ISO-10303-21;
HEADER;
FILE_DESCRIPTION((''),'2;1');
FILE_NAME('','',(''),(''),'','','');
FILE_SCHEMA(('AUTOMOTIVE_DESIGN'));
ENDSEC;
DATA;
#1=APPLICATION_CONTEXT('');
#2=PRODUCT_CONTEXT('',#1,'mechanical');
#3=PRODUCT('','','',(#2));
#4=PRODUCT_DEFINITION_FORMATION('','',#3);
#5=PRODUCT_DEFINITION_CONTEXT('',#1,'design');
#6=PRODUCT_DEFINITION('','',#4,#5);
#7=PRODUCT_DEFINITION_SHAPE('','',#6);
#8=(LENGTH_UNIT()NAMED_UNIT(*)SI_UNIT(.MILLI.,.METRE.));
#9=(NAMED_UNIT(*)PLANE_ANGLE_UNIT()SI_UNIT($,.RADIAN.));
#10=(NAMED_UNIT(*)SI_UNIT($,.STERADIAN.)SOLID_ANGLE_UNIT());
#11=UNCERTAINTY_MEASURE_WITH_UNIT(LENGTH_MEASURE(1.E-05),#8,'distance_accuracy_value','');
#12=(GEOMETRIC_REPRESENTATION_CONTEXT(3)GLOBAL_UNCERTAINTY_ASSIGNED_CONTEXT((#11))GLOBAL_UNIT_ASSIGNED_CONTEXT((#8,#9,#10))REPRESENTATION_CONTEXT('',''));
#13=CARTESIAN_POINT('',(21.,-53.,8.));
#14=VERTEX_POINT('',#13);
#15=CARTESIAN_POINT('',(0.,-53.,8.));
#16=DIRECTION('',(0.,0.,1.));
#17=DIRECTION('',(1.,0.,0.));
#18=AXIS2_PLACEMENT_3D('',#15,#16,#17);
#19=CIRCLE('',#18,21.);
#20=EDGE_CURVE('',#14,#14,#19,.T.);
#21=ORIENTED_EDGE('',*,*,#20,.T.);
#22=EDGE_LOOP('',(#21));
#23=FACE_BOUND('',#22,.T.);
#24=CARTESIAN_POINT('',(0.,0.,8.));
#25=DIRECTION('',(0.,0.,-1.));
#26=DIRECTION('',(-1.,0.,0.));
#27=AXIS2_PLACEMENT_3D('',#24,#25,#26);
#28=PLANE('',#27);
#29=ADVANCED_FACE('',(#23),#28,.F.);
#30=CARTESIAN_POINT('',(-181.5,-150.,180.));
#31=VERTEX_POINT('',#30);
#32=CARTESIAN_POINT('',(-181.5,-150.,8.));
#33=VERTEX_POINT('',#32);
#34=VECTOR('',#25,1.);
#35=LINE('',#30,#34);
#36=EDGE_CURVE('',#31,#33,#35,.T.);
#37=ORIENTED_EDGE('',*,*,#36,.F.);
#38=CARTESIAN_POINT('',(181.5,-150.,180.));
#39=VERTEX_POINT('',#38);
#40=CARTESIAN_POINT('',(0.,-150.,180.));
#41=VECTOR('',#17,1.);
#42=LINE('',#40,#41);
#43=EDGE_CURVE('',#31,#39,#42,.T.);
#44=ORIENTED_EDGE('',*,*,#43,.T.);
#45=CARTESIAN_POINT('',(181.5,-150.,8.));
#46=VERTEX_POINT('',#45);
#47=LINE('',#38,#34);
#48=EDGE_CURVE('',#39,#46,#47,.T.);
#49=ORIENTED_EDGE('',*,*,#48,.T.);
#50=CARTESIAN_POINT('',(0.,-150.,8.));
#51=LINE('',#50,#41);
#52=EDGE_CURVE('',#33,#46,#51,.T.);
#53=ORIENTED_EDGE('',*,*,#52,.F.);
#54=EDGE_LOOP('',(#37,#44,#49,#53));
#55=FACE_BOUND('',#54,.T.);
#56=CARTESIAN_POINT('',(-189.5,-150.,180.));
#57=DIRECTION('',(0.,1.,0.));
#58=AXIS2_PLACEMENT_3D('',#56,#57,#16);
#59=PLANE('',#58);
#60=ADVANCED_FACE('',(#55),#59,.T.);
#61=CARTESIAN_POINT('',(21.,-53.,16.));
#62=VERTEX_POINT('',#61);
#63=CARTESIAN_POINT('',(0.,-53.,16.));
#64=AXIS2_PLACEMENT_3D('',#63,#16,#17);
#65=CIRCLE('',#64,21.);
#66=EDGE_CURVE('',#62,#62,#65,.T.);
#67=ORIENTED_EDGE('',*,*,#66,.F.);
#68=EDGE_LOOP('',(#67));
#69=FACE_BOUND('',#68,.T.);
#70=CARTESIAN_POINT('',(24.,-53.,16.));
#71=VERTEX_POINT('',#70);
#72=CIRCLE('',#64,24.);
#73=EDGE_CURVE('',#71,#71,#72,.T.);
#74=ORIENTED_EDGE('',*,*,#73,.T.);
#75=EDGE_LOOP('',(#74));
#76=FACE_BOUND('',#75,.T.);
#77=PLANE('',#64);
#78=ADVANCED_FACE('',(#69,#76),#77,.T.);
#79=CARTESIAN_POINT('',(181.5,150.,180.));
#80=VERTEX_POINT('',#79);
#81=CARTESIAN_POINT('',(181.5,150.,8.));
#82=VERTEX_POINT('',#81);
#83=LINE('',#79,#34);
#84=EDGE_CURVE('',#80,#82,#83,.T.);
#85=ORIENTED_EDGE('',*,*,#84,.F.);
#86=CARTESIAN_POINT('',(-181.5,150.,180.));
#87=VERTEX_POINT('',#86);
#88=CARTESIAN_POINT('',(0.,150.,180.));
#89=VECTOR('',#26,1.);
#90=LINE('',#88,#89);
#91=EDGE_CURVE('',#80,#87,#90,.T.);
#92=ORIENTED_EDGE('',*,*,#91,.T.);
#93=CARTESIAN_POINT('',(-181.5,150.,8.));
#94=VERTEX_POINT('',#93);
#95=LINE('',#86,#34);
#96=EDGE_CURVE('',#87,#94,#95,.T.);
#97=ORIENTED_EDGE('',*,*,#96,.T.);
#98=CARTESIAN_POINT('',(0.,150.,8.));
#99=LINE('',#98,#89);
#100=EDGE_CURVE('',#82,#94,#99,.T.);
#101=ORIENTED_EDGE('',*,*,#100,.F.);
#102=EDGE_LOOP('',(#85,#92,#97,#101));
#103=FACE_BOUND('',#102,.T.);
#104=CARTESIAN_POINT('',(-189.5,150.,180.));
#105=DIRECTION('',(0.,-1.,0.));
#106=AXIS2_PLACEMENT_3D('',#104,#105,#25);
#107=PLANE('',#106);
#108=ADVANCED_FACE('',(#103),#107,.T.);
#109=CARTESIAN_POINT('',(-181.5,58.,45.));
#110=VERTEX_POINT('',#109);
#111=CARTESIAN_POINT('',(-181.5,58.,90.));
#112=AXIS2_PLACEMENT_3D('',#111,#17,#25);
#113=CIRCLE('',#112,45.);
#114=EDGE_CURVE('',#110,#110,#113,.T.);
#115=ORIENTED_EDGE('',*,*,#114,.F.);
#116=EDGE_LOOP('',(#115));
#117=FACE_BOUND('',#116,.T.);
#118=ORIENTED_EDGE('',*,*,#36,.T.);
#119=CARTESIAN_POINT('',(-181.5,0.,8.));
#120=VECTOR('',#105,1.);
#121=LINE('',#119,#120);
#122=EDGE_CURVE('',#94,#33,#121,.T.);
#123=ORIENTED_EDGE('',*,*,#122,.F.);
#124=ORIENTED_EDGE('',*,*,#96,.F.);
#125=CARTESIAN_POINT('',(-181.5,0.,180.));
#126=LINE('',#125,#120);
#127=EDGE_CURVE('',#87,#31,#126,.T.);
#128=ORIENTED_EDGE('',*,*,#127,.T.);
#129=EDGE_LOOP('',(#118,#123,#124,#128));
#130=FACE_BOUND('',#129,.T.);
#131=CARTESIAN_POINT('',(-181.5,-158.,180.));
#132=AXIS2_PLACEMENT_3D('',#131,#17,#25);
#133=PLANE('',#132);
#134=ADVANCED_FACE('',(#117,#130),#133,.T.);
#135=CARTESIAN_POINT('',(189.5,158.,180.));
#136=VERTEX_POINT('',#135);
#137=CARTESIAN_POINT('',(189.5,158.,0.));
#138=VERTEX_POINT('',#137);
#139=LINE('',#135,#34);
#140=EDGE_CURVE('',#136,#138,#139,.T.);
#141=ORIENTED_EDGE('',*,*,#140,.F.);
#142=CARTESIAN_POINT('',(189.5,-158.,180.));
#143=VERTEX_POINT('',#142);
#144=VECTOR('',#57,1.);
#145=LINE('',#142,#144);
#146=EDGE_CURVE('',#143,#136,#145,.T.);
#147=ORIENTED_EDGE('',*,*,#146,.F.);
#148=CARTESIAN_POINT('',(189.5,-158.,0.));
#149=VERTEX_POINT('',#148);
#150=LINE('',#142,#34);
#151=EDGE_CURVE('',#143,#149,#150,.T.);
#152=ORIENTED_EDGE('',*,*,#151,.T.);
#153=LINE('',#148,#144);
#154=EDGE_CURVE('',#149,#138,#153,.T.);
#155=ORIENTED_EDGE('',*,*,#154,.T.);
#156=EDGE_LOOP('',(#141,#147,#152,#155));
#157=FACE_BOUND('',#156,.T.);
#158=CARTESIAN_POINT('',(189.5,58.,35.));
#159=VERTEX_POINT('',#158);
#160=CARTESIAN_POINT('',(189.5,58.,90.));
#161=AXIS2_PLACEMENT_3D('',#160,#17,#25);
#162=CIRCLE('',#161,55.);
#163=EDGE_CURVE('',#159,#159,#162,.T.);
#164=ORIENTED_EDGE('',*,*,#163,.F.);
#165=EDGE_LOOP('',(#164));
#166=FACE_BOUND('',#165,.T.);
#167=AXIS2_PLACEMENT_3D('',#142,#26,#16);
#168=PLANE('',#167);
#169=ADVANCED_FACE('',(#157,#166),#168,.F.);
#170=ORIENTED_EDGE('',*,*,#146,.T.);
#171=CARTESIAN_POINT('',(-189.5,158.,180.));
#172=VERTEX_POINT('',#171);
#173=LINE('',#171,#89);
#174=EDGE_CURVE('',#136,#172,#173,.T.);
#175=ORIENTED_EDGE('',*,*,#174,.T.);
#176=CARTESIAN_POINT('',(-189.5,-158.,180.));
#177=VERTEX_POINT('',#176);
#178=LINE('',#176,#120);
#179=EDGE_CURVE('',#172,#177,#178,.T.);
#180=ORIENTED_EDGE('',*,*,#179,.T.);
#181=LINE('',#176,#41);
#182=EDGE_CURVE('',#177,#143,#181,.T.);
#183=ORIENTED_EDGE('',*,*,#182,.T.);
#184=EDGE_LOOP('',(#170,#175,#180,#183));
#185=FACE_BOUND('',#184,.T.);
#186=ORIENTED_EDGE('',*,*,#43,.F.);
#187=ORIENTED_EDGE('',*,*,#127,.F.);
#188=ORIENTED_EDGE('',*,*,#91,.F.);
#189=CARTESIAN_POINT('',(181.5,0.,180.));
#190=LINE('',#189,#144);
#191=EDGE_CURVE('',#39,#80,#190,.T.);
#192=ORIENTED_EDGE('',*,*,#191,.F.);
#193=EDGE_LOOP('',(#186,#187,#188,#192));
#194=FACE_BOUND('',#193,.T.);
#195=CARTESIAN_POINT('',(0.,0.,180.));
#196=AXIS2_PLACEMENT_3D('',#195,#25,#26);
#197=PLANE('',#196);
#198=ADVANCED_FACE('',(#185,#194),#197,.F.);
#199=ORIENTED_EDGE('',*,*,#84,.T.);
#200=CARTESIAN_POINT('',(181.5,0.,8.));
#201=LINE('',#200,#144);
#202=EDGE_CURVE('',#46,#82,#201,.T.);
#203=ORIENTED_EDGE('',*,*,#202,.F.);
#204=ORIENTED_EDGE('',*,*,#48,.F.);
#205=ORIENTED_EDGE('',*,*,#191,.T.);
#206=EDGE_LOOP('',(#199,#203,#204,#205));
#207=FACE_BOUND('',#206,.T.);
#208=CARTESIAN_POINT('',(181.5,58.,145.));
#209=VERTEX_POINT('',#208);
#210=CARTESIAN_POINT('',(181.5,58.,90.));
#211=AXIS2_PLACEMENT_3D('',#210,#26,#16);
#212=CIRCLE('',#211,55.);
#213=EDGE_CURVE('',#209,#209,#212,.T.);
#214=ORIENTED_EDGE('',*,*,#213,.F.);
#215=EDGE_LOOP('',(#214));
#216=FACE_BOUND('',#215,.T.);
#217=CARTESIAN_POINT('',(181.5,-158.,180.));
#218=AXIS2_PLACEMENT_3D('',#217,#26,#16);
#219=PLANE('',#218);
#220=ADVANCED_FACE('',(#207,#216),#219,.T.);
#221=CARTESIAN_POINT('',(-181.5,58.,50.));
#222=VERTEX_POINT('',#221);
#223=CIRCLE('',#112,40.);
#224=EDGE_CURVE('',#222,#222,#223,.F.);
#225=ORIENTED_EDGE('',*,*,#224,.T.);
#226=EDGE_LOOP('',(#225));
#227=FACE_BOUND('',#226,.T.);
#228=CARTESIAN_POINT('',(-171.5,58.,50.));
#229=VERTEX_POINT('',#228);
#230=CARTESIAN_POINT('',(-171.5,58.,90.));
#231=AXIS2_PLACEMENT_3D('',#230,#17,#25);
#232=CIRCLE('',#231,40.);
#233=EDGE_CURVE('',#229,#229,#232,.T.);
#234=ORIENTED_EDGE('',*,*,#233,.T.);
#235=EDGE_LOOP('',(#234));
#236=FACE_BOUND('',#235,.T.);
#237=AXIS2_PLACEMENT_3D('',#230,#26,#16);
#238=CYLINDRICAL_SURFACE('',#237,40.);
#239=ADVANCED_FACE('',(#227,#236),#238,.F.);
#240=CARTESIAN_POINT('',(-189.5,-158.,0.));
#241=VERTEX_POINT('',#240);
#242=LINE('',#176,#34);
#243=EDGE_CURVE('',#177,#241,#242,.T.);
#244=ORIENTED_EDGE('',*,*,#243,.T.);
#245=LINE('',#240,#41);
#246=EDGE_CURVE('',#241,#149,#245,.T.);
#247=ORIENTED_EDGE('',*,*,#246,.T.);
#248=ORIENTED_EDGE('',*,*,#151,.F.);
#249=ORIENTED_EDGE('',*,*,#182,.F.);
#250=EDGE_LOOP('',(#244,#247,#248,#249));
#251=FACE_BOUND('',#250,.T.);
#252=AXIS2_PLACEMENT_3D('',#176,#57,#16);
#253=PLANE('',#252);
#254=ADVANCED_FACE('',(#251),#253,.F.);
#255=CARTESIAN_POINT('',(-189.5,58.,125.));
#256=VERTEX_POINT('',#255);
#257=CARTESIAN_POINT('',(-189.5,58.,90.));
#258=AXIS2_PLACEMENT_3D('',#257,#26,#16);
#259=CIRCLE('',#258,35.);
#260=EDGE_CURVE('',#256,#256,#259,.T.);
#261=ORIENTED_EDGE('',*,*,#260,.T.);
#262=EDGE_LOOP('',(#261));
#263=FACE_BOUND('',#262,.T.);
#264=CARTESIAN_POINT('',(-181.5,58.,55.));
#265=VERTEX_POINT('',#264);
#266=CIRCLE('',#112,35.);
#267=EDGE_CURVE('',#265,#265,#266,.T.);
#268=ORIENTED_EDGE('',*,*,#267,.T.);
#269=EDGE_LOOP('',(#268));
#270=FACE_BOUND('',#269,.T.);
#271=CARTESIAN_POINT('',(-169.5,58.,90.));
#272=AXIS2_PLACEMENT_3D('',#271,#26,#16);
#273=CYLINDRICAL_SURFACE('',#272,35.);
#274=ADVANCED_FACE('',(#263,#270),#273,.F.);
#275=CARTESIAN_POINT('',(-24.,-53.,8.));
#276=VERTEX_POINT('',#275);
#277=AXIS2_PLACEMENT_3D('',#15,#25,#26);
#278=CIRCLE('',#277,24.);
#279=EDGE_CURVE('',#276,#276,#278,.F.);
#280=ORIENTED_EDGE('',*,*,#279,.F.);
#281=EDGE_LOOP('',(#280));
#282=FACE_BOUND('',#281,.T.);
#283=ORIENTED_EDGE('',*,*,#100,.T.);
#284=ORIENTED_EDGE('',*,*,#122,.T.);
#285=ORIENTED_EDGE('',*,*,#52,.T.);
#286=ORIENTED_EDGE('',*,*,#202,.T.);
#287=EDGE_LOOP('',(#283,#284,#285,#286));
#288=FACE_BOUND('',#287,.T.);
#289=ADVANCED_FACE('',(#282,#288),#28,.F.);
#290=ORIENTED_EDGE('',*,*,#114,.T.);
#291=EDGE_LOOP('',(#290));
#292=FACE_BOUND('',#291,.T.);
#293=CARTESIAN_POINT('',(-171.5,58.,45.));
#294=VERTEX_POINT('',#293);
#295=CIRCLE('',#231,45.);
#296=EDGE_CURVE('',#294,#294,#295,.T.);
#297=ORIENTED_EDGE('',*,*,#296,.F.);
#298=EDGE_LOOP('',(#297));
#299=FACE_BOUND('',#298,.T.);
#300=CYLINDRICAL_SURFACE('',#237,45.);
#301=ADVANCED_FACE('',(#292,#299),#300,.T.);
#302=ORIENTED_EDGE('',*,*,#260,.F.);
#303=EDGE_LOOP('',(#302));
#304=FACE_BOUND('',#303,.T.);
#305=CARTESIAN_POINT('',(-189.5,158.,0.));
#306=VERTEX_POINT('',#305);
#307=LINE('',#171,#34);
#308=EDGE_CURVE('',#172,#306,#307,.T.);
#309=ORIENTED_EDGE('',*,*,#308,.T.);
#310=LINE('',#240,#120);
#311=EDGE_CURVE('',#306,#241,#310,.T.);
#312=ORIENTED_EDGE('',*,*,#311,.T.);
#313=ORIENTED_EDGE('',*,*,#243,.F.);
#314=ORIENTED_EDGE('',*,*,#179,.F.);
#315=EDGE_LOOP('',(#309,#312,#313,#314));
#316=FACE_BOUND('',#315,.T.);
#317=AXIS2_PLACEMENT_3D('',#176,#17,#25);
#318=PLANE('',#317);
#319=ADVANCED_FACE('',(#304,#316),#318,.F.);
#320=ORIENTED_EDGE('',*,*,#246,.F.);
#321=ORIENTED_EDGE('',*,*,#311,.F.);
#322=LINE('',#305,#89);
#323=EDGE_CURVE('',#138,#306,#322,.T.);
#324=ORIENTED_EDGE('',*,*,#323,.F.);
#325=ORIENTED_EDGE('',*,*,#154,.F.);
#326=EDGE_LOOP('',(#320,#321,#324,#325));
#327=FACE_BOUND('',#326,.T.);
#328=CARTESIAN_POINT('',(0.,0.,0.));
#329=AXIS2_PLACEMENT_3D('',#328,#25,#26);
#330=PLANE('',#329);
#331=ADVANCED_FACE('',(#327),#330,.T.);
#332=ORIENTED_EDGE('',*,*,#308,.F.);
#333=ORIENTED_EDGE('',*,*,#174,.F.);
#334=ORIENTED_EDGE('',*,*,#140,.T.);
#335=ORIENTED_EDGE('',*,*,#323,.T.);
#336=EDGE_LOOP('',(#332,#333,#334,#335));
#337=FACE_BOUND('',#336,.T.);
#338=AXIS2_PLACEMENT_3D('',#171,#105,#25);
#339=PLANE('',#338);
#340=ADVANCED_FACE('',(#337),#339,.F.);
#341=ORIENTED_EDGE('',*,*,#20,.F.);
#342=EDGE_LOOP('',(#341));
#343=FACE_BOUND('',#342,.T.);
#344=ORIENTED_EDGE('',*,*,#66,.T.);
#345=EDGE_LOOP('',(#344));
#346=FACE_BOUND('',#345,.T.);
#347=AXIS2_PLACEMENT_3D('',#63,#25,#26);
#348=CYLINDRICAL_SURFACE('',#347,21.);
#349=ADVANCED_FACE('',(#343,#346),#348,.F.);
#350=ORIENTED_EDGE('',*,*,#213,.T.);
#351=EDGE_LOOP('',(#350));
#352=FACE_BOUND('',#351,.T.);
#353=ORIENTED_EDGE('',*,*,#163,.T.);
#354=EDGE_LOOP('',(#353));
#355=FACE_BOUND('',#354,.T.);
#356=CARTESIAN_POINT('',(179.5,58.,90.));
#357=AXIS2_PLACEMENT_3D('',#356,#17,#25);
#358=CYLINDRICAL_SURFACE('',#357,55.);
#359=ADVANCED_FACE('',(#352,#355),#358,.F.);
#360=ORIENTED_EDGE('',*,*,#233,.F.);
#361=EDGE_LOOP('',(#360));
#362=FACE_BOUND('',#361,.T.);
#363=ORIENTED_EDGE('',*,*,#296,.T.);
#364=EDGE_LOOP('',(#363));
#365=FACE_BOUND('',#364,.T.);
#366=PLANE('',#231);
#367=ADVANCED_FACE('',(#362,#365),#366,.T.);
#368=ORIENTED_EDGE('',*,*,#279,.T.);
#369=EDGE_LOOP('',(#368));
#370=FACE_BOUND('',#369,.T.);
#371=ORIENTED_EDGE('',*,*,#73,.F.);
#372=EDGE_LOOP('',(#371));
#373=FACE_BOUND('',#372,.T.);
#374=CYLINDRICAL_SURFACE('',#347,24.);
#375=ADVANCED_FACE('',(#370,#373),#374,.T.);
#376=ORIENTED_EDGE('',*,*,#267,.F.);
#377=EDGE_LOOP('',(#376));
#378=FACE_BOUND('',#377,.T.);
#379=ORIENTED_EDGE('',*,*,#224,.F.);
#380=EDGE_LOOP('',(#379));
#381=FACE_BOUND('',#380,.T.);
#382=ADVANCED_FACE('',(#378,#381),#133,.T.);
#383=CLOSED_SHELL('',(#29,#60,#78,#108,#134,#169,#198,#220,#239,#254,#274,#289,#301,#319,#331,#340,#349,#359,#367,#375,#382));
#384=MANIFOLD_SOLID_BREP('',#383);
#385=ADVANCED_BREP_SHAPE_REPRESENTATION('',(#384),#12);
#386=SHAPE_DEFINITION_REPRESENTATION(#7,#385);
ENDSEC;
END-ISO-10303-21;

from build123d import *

# Parameters (mm, degrees)
CROQUIS1_W              = 379
CROQUIS1_H              = 316
SALIENTE_EXTRUIR1_DEPTH = 180
VACIADO1_T              = -8
CROQUIS2_R              = 35
CORTAR_EXTRUIR4_DEPTH   = 20
CROQUIS4_R              = 45
CROQUIS4_R_2            = 40
SALIENTE_EXTRUIR4_DEPTH = 10
CROQUIS6_R              = 55
CORTAR_EXTRUIR6_DEPTH   = 10
CROQUIS7_R              = 24
CROQUIS7_R_2            = 21
SALIENTE_EXTRUIR9_DEPTH = 8


with BuildPart() as part:
    # Croquis1 → Saliente-Extruir1 (new body)
    with BuildSketch(Plane.XY):
        Rectangle(CROQUIS1_W, CROQUIS1_H)
    extrude(amount=SALIENTE_EXTRUIR1_DEPTH)

    # Vaciado1
    vaciado1_openings = [part.faces().sort_by_distance(p)[0] for p in [
        (0, 0, 180),
    ]]
    offset(amount=VACIADO1_T, openings=vaciado1_openings, kind=Kind.INTERSECTION)

    # Croquis2 → Cortar-Extruir4 (cut)
    with BuildSketch(Plane.ZY.offset(189.5)):
        with Locations((90, 58)):
            Circle(CROQUIS2_R)
    extrude(amount=-CORTAR_EXTRUIR4_DEPTH, mode=Mode.SUBTRACT)

    # Croquis4 → Saliente-Extruir4 (add)
    with BuildSketch(Plane(origin=(-181.5, 0, 0), x_dir=(0, 0, -1), z_dir=(1, 0, 0))):
        with Locations((-90, 58)):
            Circle(CROQUIS4_R)
        with Locations((-90, 58)):
            Circle(CROQUIS4_R_2, mode=Mode.SUBTRACT)
    extrude(amount=SALIENTE_EXTRUIR4_DEPTH)

    # Croquis6 → Cortar-Extruir6 (cut)
    with BuildSketch(Plane(origin=(189.5, 0, 0), x_dir=(0, 0, -1), z_dir=(1, 0, 0))):
        with Locations((-90, 58)):
            Circle(CROQUIS6_R)
    extrude(amount=-CORTAR_EXTRUIR6_DEPTH, mode=Mode.SUBTRACT)

    # Croquis7 → Saliente-Extruir9 (add)
    with BuildSketch(Plane.XY.offset(8)):
        with Locations(Location((0, -53, 0), (0, 0, 180))):
            Circle(CROQUIS7_R)
        with Locations((0, -53)):
            Circle(CROQUIS7_R_2, mode=Mode.SUBTRACT)
    extrude(amount=SALIENTE_EXTRUIR9_DEPTH)


solid = part.part
